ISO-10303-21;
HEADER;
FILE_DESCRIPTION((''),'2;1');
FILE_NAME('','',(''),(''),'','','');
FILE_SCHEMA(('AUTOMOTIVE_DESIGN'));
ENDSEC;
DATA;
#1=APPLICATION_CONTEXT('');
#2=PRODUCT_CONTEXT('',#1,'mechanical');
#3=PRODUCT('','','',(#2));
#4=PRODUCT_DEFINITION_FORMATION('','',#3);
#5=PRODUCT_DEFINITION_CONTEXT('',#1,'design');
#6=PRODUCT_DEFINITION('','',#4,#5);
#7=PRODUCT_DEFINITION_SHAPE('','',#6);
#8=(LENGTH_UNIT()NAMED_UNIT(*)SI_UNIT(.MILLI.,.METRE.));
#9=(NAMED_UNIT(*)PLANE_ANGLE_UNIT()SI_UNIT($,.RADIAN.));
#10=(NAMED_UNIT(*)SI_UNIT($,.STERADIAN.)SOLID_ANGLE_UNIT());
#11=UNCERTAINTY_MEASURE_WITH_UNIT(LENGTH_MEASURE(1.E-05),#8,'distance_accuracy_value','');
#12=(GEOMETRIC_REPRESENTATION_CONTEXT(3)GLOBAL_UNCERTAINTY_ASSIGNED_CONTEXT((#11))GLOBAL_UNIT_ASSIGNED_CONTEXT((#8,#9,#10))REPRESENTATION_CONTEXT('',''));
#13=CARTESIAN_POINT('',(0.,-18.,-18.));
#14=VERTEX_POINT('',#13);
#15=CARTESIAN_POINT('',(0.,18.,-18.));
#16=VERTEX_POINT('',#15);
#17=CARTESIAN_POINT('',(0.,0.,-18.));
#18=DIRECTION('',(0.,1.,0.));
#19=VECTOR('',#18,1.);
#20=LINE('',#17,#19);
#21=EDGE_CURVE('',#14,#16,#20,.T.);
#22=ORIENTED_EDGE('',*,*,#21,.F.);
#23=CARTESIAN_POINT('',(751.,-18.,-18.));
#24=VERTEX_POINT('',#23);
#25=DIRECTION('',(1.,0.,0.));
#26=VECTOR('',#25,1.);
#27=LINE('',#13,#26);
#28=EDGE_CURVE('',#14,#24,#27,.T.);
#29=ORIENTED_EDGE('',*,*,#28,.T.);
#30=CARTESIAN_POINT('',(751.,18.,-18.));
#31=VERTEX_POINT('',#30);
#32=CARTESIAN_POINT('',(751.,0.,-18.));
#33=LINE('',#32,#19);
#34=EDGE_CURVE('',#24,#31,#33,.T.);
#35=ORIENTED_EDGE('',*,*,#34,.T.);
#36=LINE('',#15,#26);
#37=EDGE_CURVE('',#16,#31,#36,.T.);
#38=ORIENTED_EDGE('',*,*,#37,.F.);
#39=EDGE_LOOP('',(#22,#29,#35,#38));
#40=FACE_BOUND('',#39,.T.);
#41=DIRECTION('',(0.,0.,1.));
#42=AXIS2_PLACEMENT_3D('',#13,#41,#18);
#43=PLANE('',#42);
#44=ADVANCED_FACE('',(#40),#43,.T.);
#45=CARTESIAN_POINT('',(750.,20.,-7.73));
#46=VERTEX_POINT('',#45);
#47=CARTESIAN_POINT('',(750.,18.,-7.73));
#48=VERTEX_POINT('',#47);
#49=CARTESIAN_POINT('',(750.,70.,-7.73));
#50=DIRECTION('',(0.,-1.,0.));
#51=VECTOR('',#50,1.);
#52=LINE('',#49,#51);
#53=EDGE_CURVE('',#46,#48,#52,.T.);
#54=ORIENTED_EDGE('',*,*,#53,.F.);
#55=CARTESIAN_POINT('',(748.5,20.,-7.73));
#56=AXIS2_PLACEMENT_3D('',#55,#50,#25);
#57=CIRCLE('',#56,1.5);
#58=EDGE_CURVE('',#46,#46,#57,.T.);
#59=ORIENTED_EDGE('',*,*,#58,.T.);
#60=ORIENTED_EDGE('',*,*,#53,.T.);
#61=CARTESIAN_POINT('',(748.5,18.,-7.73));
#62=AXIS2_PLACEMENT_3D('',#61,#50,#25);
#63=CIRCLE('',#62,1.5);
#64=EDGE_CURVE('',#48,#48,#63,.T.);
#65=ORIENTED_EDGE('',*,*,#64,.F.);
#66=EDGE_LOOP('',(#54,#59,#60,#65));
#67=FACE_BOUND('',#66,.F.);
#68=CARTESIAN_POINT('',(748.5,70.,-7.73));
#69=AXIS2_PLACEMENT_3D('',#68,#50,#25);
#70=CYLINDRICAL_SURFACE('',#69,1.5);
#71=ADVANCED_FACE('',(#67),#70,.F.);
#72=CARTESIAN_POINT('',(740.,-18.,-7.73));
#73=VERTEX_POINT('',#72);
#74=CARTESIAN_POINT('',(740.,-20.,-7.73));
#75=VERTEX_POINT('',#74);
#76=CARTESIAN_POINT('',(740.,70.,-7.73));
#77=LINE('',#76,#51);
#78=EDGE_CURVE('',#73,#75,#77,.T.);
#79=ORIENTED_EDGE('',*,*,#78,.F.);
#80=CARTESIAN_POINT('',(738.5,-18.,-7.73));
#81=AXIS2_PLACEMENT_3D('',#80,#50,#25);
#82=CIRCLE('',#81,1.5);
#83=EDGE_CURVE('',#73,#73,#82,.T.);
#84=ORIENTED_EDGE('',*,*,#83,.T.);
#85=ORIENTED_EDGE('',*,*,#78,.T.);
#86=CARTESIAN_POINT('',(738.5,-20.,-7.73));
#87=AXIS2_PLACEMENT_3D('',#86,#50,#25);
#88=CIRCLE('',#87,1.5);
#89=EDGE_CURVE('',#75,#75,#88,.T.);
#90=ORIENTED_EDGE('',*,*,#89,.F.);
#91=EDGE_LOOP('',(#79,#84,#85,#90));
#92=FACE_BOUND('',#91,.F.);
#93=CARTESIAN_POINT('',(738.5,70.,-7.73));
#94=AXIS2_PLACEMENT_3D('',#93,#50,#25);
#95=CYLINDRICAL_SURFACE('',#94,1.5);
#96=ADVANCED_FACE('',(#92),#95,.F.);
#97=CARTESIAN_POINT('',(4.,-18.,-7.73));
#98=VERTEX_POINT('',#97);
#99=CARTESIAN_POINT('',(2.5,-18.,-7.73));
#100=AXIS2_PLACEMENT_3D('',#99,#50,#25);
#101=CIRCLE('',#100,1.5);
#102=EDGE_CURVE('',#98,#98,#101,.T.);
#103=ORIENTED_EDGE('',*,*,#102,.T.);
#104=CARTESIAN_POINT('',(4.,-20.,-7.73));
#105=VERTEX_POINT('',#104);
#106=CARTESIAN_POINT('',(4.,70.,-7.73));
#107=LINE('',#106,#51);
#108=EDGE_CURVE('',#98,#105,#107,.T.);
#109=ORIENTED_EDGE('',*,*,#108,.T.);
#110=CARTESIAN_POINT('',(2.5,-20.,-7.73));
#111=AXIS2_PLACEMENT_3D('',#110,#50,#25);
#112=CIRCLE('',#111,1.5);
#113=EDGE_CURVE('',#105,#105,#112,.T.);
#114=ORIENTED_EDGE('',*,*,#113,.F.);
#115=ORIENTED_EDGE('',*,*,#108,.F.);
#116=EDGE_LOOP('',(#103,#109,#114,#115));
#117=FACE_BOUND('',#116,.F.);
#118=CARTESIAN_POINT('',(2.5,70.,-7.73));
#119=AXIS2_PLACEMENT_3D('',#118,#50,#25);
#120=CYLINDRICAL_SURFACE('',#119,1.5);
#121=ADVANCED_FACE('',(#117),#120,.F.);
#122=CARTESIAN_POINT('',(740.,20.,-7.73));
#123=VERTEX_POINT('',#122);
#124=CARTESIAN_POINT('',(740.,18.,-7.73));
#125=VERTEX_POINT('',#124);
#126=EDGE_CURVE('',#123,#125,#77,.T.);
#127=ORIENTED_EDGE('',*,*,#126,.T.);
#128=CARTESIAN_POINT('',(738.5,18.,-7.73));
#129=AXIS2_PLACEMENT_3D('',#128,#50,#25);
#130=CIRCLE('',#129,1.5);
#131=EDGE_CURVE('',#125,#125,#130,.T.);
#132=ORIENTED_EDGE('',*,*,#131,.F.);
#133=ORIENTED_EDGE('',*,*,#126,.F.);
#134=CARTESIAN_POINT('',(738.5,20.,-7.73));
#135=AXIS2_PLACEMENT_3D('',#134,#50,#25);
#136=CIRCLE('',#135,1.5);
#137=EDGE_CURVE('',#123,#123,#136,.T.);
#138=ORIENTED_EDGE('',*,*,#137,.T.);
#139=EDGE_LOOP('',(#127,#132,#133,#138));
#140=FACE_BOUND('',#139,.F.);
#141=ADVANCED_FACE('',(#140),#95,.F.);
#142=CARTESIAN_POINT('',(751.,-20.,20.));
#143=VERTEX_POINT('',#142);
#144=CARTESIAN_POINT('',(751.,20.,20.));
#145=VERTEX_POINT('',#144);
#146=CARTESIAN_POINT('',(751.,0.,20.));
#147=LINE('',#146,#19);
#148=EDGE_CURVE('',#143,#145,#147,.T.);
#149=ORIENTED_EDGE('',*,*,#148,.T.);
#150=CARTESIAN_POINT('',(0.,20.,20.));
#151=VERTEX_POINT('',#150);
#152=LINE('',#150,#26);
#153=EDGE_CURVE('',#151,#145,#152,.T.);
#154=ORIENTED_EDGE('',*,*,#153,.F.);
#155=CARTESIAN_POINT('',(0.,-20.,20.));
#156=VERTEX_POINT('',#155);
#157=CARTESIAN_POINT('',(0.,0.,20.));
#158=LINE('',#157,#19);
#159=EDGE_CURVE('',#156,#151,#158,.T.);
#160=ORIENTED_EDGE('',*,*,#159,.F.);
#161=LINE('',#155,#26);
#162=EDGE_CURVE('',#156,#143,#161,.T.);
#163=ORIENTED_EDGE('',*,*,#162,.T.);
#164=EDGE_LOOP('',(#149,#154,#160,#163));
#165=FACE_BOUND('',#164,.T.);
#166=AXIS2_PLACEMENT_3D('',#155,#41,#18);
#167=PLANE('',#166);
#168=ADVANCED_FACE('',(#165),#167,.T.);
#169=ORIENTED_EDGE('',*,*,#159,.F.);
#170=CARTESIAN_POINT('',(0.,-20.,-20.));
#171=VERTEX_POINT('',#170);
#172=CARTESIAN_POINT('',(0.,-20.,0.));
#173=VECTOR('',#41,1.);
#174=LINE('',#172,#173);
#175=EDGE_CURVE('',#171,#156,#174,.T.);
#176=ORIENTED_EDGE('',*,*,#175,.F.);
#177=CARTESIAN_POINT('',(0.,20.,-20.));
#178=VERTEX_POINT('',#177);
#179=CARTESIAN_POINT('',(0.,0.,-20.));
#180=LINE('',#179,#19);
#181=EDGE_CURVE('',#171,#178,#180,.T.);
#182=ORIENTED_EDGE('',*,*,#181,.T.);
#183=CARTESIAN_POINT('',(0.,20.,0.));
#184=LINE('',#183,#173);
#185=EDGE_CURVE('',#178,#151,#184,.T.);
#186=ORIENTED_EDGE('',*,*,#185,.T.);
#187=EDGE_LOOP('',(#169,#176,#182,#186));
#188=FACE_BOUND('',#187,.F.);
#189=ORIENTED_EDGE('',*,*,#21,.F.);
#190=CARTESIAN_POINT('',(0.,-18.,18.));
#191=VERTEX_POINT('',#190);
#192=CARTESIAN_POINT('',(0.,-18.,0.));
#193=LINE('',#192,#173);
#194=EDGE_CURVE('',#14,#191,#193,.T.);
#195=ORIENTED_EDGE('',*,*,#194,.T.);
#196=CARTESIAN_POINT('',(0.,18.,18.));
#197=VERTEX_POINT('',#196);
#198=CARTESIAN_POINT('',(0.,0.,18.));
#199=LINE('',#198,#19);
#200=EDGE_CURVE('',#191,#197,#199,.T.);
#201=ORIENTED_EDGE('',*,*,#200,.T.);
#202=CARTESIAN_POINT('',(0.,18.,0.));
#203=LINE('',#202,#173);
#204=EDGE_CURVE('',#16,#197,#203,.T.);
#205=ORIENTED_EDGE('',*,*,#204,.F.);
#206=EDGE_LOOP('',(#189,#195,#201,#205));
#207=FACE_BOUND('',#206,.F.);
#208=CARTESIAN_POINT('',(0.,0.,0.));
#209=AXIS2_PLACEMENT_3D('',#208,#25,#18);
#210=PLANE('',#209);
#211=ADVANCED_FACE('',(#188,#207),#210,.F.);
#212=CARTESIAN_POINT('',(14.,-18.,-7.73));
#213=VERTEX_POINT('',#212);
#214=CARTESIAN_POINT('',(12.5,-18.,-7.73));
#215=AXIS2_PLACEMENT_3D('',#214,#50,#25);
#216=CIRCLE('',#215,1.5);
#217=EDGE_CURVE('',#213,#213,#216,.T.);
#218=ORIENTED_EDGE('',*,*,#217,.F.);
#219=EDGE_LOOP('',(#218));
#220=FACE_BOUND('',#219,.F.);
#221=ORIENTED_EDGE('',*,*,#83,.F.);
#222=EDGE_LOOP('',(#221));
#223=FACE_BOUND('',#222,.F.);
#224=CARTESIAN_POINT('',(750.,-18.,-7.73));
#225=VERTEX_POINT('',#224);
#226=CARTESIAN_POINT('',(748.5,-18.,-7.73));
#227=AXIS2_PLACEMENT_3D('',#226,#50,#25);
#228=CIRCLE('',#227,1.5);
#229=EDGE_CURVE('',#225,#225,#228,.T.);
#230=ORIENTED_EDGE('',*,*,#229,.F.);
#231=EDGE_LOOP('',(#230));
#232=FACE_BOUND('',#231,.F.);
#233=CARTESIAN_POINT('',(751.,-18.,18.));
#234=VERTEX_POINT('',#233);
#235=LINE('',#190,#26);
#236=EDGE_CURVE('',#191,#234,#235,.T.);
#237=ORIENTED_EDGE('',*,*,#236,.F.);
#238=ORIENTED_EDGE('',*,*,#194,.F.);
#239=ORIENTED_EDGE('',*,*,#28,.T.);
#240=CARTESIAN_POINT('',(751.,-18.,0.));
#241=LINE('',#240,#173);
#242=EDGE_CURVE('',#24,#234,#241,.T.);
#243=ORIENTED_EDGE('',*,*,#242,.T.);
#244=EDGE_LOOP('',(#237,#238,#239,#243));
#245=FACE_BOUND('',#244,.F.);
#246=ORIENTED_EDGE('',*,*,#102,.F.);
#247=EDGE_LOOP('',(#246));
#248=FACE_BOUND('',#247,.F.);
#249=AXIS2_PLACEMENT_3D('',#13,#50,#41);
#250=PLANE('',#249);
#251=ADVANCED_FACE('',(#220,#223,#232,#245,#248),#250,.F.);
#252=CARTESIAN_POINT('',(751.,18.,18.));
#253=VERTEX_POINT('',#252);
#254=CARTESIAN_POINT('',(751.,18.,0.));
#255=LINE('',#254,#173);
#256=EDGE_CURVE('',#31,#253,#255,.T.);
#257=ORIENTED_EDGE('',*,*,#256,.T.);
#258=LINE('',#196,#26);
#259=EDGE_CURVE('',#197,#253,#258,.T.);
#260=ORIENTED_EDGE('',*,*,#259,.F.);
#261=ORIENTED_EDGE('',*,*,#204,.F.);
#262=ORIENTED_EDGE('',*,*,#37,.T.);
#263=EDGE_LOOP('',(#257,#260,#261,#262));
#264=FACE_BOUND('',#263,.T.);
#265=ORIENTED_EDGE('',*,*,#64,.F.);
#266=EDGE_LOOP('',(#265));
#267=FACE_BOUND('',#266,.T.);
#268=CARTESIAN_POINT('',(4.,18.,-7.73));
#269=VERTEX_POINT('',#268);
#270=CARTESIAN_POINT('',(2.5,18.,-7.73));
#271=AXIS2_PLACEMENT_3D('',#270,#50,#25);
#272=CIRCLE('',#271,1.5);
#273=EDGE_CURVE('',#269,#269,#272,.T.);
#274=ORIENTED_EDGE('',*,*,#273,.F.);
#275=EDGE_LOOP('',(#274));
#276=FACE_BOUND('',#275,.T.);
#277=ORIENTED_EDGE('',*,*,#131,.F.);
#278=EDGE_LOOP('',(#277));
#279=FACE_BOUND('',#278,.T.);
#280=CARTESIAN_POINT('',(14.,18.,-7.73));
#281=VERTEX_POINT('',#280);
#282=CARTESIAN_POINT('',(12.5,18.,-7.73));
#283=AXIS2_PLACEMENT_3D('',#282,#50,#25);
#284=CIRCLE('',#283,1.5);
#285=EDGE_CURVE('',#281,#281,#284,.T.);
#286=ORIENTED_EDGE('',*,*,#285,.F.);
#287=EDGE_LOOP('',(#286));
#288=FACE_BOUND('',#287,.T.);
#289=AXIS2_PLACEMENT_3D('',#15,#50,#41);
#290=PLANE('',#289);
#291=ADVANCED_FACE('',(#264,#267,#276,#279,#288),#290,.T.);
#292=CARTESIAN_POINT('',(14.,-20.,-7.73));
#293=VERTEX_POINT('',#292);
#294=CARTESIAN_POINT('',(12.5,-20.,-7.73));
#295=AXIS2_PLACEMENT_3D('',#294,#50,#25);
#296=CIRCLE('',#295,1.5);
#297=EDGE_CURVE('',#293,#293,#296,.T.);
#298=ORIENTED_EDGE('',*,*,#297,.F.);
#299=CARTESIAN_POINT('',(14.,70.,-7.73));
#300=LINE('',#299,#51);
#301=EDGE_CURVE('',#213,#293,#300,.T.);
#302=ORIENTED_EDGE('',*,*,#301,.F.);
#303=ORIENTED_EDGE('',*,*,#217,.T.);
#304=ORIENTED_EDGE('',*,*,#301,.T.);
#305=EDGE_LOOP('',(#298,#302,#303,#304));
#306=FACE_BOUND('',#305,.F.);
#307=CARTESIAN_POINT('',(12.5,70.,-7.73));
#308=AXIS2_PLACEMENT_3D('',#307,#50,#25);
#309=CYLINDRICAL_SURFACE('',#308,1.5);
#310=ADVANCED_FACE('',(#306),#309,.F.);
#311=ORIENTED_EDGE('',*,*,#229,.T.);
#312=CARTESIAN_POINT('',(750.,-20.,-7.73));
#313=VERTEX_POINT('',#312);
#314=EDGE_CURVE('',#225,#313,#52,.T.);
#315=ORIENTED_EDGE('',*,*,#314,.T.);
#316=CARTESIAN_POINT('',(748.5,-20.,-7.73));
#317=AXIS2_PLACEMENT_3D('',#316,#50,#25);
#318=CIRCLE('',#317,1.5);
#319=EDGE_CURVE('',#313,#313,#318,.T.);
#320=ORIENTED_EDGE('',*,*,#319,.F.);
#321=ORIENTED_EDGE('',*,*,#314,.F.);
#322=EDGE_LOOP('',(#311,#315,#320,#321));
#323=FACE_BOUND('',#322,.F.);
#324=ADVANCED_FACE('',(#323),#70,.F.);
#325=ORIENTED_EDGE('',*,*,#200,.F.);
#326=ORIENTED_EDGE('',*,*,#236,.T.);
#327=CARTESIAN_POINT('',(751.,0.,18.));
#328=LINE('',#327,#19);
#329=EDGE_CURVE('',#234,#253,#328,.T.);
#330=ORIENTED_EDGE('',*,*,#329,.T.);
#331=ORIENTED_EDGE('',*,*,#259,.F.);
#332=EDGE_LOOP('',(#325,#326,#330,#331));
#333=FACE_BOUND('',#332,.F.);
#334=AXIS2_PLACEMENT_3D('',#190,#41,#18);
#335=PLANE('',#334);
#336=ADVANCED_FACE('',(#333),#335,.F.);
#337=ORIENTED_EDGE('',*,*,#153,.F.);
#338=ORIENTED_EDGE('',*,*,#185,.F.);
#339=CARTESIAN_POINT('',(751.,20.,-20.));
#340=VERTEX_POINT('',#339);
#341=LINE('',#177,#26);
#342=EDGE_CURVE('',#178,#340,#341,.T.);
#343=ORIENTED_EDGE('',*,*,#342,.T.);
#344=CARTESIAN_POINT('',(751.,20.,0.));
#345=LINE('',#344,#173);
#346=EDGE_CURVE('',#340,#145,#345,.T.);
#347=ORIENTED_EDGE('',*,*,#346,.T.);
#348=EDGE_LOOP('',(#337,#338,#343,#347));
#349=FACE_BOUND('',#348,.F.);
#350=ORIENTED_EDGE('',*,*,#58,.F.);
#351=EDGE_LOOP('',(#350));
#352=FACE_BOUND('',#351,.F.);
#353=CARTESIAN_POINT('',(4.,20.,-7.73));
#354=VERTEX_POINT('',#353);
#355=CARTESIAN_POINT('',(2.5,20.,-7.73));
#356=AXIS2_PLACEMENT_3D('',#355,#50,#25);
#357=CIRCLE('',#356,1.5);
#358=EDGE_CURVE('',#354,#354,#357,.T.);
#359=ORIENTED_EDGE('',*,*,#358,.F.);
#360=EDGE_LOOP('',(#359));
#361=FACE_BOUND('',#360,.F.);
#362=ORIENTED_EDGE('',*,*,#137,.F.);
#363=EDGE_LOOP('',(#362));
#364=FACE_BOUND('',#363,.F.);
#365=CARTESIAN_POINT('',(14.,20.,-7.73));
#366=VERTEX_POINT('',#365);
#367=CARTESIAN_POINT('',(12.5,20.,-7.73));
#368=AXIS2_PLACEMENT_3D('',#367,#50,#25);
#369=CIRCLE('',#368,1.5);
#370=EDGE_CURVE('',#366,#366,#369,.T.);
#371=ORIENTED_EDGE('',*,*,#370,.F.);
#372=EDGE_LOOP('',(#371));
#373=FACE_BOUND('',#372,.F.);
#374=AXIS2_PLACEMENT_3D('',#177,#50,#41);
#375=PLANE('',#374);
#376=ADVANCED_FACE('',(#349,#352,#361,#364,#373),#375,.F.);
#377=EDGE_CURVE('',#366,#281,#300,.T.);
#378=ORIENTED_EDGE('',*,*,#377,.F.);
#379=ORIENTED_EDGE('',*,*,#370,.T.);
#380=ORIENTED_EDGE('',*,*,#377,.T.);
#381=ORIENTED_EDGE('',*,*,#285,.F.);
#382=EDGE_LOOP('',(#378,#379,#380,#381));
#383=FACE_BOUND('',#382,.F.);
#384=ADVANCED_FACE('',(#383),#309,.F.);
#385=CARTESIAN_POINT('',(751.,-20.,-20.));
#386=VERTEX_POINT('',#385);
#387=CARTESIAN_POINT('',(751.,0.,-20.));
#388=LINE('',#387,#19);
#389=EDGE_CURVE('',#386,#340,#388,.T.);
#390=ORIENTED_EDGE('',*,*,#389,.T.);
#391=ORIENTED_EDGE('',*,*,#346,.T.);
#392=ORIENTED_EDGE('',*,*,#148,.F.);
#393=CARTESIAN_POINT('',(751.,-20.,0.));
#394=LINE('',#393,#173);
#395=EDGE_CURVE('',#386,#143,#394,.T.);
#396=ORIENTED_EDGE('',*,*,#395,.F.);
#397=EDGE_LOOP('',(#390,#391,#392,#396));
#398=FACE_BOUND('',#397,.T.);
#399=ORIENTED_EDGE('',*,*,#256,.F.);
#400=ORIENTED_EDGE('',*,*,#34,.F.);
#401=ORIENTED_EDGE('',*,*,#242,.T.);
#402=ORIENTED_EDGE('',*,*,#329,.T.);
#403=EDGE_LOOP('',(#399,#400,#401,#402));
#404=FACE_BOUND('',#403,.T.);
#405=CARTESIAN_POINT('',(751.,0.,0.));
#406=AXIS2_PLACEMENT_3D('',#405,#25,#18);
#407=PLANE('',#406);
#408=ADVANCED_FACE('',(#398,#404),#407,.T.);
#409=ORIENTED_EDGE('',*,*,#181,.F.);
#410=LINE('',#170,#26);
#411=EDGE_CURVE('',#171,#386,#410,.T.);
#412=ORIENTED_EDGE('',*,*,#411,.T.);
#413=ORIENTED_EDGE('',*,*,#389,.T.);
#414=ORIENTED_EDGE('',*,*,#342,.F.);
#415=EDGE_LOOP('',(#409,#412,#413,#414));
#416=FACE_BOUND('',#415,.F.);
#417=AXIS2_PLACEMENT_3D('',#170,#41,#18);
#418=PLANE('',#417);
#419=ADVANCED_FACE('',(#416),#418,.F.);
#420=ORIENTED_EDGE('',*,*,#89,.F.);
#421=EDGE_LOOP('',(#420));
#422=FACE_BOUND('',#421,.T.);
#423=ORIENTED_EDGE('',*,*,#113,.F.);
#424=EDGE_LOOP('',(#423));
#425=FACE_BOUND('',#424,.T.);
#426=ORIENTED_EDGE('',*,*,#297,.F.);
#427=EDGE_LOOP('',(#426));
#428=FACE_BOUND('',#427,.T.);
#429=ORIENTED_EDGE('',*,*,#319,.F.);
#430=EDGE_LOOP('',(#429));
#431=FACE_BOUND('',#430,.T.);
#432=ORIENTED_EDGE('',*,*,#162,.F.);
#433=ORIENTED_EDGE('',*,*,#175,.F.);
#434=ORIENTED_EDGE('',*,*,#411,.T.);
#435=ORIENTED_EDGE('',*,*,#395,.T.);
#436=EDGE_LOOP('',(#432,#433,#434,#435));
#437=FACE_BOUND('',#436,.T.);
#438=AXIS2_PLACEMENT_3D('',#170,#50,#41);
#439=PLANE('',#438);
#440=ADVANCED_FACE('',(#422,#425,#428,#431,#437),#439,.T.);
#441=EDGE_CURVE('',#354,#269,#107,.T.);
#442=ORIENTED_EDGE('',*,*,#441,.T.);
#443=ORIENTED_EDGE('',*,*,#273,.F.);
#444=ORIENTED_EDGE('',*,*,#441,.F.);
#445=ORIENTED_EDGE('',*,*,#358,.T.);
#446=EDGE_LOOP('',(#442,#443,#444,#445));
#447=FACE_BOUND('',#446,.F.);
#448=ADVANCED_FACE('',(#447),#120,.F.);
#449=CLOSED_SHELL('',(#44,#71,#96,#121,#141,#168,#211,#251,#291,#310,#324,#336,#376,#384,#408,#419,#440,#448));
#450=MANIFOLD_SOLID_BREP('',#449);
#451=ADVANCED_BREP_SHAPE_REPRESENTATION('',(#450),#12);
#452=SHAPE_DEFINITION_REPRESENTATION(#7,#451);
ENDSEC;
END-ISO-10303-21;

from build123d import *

# Parameters (mm, degrees)
F0_W     = 40
F0_H     = 40
F0_W_2   = 36
F0_H_2   = 36
F1_DEPTH = 751
F3_D     = 3
F3_DEPTH = 50


with BuildPart() as f1:
    # F0 (on Right) → F1 (new body)
    with BuildSketch(Plane.YZ):
        Rectangle(F0_W, F0_H)
        Rectangle(F0_W_2, F0_H_2, mode=Mode.SUBTRACT)
    extrude(amount=F1_DEPTH)

    # F3
    with Locations(Plane(origin=(0, 20, 0), x_dir=(-1, 0, 0), z_dir=(0, 1, 0))):
        with Locations((-748.5, -7.73), (-738.5, -7.73), (-2.5, -7.73), (-12.5, -7.73)):
            Hole(F3_D / 2, depth=F3_DEPTH)


solid = f1.part
